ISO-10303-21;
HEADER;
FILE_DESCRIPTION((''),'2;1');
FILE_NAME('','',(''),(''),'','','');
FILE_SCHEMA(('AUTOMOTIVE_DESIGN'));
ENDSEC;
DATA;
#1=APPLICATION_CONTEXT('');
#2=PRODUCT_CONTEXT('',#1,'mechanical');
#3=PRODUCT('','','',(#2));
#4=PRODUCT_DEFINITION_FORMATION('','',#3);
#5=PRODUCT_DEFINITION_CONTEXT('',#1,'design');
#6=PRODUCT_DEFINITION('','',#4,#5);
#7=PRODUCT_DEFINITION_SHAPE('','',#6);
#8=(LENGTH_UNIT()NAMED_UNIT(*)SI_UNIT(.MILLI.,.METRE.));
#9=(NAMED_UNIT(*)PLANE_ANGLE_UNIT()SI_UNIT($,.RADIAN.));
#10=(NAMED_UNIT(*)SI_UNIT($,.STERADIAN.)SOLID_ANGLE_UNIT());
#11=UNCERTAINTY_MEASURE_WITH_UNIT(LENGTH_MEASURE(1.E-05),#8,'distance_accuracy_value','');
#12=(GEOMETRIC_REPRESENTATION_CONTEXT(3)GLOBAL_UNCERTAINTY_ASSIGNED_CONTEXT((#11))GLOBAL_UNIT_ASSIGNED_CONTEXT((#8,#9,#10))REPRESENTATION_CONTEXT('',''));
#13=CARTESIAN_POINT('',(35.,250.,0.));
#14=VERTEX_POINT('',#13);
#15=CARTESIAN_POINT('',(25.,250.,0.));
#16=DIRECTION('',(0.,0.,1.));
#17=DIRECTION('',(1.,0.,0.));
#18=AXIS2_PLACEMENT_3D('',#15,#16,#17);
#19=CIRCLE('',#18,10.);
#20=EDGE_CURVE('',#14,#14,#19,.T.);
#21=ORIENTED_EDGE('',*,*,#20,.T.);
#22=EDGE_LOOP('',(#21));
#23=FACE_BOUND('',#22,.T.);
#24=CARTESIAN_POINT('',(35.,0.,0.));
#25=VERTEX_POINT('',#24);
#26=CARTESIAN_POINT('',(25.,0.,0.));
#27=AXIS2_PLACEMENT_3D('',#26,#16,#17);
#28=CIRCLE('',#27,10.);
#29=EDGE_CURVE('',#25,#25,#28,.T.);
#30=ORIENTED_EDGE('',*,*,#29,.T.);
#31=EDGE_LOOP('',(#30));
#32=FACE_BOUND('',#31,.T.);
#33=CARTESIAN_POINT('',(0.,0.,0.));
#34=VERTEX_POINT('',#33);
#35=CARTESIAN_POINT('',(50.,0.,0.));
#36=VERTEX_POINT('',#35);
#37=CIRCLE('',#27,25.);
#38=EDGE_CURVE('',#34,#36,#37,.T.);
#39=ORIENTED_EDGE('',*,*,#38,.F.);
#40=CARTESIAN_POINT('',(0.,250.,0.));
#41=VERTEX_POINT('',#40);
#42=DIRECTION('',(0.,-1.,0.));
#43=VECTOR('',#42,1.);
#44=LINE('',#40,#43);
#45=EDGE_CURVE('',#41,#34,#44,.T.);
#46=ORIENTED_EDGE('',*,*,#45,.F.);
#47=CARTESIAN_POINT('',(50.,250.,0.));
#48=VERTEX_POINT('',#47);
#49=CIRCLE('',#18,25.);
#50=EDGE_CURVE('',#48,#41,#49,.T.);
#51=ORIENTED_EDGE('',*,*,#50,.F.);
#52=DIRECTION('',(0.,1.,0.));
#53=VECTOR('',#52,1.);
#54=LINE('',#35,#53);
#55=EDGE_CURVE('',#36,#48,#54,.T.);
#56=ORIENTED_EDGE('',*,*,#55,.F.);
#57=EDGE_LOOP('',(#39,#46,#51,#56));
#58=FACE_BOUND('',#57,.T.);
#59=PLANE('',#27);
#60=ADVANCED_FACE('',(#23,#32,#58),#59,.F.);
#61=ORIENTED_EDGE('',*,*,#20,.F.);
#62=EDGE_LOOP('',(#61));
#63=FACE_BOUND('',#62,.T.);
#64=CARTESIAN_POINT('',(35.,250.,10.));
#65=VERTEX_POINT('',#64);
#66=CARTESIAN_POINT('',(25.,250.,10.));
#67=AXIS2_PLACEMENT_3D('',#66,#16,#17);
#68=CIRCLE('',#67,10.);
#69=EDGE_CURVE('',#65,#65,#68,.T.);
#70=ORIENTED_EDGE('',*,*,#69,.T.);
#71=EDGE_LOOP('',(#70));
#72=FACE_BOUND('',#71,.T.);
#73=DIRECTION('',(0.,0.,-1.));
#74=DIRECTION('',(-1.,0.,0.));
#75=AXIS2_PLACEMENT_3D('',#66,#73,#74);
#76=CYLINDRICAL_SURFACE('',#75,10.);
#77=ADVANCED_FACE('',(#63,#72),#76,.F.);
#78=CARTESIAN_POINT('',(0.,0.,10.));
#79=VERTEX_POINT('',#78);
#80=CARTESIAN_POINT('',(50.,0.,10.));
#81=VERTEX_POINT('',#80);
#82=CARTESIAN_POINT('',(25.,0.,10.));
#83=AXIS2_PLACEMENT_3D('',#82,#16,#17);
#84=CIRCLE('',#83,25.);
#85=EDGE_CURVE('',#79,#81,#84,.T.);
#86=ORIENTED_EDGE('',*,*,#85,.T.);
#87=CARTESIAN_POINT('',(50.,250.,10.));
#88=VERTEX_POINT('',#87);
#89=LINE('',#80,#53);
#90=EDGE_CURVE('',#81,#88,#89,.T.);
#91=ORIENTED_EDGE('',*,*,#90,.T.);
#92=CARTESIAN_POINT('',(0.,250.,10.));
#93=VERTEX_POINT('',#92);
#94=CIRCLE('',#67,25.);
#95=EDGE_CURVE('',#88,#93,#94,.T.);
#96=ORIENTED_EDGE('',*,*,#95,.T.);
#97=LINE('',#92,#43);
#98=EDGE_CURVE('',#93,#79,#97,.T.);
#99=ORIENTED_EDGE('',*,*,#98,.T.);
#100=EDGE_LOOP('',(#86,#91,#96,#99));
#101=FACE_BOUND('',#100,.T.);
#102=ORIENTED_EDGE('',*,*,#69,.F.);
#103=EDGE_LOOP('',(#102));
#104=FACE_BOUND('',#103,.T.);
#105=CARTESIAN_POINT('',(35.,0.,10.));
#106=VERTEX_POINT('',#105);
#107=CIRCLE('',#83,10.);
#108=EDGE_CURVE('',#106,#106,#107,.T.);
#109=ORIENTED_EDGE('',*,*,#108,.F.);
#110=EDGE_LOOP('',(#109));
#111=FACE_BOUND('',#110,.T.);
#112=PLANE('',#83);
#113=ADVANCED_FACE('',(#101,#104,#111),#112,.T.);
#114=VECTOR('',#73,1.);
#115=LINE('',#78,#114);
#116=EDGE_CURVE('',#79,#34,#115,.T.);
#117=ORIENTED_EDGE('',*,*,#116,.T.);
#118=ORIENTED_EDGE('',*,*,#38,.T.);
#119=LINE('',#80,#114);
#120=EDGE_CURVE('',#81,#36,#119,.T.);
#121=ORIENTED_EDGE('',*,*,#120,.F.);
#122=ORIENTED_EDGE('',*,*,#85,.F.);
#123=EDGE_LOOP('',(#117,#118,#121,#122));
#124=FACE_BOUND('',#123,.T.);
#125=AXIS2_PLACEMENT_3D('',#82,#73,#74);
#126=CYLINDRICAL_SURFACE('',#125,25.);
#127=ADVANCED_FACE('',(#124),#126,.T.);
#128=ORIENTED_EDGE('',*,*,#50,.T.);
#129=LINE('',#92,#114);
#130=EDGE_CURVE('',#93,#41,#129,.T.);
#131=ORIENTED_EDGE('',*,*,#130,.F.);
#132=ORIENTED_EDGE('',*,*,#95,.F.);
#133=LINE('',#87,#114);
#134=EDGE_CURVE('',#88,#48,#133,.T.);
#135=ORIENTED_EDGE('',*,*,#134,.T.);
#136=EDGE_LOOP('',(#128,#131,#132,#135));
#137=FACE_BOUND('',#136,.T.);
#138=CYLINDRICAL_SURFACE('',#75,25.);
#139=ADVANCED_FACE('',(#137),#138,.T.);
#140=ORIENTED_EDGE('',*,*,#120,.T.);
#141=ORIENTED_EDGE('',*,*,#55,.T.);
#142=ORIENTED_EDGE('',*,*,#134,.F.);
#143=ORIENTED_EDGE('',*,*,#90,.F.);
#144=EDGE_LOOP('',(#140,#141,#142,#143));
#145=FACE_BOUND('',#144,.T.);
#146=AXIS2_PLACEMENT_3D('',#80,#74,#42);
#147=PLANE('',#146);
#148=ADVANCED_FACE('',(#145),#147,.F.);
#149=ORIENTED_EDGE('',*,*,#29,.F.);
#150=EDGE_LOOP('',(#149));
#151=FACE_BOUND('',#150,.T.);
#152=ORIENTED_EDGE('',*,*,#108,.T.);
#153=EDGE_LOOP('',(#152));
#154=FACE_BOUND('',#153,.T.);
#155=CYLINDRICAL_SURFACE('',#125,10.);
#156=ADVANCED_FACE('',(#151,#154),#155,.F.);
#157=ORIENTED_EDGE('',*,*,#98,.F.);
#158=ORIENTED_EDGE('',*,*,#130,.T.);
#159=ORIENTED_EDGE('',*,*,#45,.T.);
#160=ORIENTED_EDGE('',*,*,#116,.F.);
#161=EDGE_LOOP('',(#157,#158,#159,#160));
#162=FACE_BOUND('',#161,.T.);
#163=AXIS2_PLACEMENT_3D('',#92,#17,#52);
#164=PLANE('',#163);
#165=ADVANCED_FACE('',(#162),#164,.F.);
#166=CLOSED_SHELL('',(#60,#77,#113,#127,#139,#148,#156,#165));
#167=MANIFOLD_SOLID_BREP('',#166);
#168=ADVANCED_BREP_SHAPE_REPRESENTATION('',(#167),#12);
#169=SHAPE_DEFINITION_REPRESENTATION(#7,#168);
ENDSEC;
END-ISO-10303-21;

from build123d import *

# Parameters (mm, degrees)
CROQUIS1_R              = 10
SALIENTE_EXTRUIR1_DEPTH = 10


with BuildPart() as part:
    # Croquis1 → Saliente-Extruir1 (new body)
    with BuildSketch(Plane.XY):
        with BuildLine():
            Line((50, 0), (50, 250))
            ThreePointArc((50, 250), (25, 275), (0, 250))
            Line((0, 250), (0, 0))
            ThreePointArc((0, 0), (25, -25), (50, 0))
        make_face()
        with Locations((25, 250)):
            Circle(CROQUIS1_R, mode=Mode.SUBTRACT)
        with Locations((25, 0)):
            Circle(CROQUIS1_R, mode=Mode.SUBTRACT)
    extrude(amount=SALIENTE_EXTRUIR1_DEPTH)


solid = part.part
